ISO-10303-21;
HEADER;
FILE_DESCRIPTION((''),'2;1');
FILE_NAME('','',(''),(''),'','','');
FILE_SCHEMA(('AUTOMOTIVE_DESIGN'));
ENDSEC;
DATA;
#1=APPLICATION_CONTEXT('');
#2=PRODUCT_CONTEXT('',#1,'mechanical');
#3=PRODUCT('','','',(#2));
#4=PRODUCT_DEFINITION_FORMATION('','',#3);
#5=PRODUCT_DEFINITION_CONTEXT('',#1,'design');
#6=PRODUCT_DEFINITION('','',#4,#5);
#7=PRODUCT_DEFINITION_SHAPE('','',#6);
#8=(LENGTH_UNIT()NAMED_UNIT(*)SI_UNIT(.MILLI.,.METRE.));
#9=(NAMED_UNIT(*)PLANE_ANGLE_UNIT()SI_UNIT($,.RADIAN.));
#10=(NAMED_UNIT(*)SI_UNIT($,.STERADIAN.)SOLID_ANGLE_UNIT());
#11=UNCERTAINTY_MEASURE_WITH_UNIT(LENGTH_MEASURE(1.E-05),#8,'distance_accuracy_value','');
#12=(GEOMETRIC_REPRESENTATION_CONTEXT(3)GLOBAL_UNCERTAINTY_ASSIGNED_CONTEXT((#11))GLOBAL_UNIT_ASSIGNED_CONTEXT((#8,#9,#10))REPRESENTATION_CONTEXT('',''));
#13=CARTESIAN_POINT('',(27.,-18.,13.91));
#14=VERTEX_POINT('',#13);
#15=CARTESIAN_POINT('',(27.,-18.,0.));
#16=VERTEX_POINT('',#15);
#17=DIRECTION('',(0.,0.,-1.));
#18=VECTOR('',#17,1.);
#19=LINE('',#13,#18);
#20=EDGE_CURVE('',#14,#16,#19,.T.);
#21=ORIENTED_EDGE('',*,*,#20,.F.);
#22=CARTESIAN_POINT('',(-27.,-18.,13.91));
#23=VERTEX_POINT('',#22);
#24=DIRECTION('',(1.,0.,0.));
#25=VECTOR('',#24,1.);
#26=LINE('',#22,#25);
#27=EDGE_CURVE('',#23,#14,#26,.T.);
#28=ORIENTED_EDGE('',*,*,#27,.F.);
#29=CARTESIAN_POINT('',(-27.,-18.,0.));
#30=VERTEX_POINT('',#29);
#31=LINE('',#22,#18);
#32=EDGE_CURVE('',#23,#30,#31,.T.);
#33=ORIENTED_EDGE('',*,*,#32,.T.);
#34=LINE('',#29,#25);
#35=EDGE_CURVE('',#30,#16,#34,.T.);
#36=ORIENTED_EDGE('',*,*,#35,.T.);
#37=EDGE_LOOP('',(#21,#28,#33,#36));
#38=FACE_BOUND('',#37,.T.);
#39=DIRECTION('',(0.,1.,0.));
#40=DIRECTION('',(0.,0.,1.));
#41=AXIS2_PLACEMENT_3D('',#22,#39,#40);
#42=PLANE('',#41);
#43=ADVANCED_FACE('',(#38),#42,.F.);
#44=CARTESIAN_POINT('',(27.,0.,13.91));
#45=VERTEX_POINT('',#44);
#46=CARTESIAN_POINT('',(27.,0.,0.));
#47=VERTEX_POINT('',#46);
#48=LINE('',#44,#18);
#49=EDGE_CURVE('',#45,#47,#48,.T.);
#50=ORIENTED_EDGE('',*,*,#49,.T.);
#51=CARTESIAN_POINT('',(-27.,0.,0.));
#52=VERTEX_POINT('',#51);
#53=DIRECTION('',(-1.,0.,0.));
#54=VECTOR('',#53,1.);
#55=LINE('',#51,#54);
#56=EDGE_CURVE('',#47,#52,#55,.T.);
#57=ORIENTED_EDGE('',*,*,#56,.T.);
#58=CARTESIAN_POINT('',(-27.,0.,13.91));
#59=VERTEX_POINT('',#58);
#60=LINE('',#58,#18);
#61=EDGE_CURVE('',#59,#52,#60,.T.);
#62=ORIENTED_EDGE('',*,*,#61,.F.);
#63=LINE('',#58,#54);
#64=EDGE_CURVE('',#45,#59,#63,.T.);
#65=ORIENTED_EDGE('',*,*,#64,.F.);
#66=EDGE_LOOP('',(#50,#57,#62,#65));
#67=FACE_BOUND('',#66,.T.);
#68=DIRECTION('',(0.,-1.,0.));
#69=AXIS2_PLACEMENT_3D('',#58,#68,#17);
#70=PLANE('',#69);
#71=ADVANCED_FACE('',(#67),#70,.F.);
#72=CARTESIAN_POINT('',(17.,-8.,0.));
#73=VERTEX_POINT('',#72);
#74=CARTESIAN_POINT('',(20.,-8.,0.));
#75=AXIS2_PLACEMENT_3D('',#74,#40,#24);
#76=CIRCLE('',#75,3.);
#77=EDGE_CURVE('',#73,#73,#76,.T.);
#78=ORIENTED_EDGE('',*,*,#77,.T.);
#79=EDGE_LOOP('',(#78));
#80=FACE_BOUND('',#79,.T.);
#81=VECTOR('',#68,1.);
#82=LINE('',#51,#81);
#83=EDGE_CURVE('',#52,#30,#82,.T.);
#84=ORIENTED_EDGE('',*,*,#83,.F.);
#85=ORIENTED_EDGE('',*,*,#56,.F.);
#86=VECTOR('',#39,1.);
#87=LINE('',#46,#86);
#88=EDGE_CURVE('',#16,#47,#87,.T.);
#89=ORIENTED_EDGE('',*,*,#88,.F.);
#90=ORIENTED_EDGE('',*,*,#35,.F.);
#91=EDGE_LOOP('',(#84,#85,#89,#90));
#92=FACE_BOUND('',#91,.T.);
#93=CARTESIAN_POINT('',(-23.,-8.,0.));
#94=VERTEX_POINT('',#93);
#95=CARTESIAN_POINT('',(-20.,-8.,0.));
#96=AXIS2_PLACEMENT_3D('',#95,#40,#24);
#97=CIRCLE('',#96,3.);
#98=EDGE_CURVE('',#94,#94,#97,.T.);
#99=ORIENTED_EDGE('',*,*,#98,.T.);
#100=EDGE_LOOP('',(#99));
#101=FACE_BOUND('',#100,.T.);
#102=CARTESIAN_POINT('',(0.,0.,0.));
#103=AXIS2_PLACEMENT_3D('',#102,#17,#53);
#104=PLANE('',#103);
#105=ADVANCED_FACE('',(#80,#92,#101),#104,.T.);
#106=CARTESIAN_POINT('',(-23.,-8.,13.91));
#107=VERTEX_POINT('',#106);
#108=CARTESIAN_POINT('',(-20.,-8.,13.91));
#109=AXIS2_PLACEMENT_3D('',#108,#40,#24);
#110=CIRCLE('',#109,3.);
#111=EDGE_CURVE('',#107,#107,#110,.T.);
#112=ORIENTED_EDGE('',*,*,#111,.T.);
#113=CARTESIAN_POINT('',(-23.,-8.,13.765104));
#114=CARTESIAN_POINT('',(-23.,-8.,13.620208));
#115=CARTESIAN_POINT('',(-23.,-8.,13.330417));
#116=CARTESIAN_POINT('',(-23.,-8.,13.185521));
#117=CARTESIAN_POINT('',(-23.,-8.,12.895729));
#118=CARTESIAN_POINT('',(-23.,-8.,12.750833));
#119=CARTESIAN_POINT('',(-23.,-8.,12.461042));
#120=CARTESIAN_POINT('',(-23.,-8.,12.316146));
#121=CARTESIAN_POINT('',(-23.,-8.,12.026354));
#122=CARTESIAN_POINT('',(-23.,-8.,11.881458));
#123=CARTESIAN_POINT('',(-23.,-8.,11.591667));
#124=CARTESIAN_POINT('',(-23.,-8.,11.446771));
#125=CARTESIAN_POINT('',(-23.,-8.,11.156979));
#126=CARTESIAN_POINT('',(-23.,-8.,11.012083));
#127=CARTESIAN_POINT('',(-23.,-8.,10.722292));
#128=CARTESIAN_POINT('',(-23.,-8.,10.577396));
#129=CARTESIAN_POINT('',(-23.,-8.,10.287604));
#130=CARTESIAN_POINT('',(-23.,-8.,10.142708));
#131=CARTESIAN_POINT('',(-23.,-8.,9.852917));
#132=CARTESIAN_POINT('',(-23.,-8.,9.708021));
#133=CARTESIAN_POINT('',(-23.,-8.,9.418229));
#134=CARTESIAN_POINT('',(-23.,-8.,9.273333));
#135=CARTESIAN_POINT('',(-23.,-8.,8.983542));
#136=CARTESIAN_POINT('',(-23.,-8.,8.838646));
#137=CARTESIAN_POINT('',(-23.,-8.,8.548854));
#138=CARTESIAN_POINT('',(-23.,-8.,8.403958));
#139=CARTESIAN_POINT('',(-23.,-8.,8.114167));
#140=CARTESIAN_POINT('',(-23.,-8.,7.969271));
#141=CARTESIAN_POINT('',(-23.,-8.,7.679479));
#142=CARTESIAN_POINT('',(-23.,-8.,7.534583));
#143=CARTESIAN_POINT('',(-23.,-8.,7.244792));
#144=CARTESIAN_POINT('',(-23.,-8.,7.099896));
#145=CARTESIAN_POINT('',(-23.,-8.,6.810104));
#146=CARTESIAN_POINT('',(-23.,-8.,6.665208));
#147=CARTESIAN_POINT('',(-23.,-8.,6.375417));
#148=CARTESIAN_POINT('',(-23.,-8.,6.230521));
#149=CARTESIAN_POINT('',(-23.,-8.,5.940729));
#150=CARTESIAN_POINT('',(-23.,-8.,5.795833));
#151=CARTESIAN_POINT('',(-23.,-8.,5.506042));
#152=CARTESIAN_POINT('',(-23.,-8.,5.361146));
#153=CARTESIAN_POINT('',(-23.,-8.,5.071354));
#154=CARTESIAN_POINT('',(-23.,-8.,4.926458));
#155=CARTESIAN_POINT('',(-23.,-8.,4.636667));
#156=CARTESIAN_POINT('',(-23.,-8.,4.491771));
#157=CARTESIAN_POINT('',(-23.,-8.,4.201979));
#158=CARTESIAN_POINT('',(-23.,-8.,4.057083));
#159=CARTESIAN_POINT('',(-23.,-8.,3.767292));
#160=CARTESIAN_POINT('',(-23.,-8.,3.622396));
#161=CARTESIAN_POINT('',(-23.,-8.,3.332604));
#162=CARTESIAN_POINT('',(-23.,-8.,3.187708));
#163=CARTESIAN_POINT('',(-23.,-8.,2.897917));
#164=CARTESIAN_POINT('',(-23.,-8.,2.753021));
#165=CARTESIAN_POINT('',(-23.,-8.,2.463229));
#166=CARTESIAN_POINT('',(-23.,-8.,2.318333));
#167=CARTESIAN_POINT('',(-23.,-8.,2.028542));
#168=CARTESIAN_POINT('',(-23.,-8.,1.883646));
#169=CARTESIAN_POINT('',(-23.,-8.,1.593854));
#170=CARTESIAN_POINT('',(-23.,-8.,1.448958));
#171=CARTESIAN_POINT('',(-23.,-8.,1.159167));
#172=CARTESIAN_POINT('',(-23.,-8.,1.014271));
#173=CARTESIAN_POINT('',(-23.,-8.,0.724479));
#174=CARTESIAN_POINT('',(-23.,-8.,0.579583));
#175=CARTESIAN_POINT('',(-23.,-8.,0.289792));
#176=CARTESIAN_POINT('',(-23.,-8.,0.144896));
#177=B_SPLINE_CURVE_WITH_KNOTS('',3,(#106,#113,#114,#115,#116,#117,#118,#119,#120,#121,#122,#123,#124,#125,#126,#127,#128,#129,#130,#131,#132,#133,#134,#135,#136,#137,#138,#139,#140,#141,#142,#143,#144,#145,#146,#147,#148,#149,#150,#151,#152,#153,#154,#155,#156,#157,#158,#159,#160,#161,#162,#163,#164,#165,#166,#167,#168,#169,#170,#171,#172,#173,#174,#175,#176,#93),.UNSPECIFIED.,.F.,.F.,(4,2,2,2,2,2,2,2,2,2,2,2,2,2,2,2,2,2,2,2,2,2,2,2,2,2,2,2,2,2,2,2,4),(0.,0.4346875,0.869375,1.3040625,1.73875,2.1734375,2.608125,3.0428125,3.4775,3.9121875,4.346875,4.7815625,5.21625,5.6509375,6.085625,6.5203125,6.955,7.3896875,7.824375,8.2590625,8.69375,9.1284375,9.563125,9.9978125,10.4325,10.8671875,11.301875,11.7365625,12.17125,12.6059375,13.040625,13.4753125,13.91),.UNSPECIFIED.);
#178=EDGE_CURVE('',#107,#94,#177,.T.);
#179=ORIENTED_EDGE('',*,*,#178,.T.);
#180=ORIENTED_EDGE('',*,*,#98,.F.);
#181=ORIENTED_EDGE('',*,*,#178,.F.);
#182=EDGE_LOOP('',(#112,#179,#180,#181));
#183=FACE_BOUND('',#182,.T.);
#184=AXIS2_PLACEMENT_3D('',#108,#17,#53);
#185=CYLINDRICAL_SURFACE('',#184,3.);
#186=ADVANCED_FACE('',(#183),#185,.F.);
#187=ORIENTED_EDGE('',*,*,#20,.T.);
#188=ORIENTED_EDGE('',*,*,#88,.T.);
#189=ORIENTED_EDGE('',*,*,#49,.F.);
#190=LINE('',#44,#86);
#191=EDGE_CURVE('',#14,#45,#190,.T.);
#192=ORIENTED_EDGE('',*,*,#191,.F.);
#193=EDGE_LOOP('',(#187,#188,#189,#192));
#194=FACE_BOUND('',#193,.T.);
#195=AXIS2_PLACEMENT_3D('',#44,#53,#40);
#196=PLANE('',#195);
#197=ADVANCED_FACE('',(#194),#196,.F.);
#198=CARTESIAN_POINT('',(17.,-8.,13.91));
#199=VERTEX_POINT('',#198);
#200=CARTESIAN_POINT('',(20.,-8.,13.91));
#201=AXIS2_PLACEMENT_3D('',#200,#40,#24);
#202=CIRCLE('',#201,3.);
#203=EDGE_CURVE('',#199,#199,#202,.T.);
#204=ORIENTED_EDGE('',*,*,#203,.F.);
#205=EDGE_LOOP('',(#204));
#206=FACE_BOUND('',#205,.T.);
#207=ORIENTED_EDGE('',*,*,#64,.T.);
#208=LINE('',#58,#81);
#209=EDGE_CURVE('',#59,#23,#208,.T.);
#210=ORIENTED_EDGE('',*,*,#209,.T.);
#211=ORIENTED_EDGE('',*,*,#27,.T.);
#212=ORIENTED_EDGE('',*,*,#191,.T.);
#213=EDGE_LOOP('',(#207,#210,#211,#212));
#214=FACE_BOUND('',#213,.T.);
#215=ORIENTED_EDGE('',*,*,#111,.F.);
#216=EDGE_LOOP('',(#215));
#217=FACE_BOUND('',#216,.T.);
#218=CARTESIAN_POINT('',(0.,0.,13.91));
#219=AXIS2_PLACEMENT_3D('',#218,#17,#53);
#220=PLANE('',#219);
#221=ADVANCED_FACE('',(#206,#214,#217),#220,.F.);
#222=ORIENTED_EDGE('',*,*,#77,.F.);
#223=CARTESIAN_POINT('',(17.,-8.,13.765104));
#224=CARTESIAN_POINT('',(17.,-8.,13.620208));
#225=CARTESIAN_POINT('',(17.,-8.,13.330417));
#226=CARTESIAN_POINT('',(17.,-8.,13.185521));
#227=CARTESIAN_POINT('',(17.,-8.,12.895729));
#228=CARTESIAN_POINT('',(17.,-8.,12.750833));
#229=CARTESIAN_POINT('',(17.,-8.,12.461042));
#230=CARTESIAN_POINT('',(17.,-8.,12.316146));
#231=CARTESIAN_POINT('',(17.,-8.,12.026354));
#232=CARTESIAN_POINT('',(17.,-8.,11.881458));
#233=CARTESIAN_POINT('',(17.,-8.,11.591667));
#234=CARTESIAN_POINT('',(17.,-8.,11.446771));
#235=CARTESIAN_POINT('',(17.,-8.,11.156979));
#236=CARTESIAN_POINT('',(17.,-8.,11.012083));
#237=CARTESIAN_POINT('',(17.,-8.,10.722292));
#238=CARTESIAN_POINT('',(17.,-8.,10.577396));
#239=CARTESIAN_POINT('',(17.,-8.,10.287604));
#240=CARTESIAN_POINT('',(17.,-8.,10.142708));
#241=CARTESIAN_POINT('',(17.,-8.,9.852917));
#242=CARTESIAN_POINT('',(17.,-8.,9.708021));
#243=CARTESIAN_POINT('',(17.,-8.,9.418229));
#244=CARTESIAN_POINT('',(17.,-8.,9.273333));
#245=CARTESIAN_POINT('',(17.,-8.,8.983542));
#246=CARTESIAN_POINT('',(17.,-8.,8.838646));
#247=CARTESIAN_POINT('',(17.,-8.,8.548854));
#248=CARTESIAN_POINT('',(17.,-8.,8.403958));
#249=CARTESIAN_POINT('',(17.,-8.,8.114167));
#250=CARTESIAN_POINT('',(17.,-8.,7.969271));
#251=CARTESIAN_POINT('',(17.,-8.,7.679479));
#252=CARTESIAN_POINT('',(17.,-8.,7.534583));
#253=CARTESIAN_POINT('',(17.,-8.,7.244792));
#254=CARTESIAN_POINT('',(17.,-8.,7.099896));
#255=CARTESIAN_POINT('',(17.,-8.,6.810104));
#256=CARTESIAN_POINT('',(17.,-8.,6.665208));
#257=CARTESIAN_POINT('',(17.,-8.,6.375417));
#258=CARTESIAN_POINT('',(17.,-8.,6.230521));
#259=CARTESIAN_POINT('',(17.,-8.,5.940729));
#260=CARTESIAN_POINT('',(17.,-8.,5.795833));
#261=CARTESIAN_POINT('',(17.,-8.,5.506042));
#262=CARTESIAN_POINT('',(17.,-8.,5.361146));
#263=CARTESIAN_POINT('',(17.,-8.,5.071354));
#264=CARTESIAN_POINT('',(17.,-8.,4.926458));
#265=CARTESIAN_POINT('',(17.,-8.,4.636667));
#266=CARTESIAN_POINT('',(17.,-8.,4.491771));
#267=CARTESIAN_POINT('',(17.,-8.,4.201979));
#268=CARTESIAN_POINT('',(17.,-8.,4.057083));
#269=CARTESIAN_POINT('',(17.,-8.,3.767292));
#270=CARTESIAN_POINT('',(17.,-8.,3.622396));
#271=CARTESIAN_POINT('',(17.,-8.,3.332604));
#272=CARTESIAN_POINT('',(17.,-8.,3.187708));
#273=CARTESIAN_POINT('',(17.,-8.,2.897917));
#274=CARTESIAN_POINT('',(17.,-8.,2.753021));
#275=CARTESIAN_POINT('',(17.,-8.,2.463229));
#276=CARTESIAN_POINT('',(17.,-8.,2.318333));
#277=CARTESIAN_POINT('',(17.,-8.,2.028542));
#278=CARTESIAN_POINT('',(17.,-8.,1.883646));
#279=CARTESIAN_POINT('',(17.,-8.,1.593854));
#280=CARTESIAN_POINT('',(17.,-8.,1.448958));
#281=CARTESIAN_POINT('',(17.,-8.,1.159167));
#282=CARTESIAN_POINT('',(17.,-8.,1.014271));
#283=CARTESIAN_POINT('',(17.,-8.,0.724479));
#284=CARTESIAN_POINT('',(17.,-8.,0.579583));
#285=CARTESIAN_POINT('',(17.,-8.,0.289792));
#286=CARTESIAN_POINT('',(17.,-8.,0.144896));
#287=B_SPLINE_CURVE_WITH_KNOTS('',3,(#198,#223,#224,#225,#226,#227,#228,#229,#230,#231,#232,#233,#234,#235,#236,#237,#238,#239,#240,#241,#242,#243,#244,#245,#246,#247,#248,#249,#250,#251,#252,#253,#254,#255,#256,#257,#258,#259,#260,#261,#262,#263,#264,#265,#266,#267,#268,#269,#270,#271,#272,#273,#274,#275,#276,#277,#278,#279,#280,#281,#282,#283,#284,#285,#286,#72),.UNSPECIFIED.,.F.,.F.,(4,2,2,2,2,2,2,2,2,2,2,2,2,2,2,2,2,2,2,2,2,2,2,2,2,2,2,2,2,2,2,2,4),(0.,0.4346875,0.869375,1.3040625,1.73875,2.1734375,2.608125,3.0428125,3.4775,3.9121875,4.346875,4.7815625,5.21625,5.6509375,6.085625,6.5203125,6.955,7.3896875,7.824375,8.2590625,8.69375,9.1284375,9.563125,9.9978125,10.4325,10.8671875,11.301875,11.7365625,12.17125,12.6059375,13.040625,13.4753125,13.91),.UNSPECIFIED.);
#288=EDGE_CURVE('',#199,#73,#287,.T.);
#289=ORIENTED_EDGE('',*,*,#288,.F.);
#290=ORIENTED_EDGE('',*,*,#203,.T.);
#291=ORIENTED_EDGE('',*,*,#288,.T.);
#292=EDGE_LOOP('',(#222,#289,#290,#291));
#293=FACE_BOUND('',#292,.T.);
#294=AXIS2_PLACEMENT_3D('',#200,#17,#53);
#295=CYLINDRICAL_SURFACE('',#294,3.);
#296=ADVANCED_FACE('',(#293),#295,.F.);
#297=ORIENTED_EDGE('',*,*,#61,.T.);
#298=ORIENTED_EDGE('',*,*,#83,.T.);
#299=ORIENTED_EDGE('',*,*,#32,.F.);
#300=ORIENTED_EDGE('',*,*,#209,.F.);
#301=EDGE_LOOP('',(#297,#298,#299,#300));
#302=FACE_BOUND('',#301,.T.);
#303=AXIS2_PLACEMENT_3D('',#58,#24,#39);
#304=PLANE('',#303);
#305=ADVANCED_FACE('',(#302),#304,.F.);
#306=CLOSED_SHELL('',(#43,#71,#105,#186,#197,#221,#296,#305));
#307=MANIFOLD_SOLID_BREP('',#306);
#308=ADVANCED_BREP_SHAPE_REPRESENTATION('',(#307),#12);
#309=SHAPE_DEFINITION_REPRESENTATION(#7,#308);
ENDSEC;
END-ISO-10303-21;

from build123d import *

# Parameters (mm, degrees)
ESQUISSE1_W        = 54
ESQUISSE1_H        = 18
ESQUISSE1_R        = 3
BOSS_EXTRU_1_DEPTH = 13.91


with BuildPart() as part:
    # Esquisse1 → Boss.-Extru.1 (new body)
    with BuildSketch(Plane.XY):
        with Locations((0, -9)):
            Rectangle(ESQUISSE1_W, ESQUISSE1_H)
        with Locations(Location((-20, -8, 0), (0, 0, 180))):
            Circle(ESQUISSE1_R, mode=Mode.SUBTRACT)
        with Locations(Location((20, -8, 0), (0, 0, 180))):
            Circle(ESQUISSE1_R, mode=Mode.SUBTRACT)
    extrude(amount=BOSS_EXTRU_1_DEPTH)


solid = part.part
